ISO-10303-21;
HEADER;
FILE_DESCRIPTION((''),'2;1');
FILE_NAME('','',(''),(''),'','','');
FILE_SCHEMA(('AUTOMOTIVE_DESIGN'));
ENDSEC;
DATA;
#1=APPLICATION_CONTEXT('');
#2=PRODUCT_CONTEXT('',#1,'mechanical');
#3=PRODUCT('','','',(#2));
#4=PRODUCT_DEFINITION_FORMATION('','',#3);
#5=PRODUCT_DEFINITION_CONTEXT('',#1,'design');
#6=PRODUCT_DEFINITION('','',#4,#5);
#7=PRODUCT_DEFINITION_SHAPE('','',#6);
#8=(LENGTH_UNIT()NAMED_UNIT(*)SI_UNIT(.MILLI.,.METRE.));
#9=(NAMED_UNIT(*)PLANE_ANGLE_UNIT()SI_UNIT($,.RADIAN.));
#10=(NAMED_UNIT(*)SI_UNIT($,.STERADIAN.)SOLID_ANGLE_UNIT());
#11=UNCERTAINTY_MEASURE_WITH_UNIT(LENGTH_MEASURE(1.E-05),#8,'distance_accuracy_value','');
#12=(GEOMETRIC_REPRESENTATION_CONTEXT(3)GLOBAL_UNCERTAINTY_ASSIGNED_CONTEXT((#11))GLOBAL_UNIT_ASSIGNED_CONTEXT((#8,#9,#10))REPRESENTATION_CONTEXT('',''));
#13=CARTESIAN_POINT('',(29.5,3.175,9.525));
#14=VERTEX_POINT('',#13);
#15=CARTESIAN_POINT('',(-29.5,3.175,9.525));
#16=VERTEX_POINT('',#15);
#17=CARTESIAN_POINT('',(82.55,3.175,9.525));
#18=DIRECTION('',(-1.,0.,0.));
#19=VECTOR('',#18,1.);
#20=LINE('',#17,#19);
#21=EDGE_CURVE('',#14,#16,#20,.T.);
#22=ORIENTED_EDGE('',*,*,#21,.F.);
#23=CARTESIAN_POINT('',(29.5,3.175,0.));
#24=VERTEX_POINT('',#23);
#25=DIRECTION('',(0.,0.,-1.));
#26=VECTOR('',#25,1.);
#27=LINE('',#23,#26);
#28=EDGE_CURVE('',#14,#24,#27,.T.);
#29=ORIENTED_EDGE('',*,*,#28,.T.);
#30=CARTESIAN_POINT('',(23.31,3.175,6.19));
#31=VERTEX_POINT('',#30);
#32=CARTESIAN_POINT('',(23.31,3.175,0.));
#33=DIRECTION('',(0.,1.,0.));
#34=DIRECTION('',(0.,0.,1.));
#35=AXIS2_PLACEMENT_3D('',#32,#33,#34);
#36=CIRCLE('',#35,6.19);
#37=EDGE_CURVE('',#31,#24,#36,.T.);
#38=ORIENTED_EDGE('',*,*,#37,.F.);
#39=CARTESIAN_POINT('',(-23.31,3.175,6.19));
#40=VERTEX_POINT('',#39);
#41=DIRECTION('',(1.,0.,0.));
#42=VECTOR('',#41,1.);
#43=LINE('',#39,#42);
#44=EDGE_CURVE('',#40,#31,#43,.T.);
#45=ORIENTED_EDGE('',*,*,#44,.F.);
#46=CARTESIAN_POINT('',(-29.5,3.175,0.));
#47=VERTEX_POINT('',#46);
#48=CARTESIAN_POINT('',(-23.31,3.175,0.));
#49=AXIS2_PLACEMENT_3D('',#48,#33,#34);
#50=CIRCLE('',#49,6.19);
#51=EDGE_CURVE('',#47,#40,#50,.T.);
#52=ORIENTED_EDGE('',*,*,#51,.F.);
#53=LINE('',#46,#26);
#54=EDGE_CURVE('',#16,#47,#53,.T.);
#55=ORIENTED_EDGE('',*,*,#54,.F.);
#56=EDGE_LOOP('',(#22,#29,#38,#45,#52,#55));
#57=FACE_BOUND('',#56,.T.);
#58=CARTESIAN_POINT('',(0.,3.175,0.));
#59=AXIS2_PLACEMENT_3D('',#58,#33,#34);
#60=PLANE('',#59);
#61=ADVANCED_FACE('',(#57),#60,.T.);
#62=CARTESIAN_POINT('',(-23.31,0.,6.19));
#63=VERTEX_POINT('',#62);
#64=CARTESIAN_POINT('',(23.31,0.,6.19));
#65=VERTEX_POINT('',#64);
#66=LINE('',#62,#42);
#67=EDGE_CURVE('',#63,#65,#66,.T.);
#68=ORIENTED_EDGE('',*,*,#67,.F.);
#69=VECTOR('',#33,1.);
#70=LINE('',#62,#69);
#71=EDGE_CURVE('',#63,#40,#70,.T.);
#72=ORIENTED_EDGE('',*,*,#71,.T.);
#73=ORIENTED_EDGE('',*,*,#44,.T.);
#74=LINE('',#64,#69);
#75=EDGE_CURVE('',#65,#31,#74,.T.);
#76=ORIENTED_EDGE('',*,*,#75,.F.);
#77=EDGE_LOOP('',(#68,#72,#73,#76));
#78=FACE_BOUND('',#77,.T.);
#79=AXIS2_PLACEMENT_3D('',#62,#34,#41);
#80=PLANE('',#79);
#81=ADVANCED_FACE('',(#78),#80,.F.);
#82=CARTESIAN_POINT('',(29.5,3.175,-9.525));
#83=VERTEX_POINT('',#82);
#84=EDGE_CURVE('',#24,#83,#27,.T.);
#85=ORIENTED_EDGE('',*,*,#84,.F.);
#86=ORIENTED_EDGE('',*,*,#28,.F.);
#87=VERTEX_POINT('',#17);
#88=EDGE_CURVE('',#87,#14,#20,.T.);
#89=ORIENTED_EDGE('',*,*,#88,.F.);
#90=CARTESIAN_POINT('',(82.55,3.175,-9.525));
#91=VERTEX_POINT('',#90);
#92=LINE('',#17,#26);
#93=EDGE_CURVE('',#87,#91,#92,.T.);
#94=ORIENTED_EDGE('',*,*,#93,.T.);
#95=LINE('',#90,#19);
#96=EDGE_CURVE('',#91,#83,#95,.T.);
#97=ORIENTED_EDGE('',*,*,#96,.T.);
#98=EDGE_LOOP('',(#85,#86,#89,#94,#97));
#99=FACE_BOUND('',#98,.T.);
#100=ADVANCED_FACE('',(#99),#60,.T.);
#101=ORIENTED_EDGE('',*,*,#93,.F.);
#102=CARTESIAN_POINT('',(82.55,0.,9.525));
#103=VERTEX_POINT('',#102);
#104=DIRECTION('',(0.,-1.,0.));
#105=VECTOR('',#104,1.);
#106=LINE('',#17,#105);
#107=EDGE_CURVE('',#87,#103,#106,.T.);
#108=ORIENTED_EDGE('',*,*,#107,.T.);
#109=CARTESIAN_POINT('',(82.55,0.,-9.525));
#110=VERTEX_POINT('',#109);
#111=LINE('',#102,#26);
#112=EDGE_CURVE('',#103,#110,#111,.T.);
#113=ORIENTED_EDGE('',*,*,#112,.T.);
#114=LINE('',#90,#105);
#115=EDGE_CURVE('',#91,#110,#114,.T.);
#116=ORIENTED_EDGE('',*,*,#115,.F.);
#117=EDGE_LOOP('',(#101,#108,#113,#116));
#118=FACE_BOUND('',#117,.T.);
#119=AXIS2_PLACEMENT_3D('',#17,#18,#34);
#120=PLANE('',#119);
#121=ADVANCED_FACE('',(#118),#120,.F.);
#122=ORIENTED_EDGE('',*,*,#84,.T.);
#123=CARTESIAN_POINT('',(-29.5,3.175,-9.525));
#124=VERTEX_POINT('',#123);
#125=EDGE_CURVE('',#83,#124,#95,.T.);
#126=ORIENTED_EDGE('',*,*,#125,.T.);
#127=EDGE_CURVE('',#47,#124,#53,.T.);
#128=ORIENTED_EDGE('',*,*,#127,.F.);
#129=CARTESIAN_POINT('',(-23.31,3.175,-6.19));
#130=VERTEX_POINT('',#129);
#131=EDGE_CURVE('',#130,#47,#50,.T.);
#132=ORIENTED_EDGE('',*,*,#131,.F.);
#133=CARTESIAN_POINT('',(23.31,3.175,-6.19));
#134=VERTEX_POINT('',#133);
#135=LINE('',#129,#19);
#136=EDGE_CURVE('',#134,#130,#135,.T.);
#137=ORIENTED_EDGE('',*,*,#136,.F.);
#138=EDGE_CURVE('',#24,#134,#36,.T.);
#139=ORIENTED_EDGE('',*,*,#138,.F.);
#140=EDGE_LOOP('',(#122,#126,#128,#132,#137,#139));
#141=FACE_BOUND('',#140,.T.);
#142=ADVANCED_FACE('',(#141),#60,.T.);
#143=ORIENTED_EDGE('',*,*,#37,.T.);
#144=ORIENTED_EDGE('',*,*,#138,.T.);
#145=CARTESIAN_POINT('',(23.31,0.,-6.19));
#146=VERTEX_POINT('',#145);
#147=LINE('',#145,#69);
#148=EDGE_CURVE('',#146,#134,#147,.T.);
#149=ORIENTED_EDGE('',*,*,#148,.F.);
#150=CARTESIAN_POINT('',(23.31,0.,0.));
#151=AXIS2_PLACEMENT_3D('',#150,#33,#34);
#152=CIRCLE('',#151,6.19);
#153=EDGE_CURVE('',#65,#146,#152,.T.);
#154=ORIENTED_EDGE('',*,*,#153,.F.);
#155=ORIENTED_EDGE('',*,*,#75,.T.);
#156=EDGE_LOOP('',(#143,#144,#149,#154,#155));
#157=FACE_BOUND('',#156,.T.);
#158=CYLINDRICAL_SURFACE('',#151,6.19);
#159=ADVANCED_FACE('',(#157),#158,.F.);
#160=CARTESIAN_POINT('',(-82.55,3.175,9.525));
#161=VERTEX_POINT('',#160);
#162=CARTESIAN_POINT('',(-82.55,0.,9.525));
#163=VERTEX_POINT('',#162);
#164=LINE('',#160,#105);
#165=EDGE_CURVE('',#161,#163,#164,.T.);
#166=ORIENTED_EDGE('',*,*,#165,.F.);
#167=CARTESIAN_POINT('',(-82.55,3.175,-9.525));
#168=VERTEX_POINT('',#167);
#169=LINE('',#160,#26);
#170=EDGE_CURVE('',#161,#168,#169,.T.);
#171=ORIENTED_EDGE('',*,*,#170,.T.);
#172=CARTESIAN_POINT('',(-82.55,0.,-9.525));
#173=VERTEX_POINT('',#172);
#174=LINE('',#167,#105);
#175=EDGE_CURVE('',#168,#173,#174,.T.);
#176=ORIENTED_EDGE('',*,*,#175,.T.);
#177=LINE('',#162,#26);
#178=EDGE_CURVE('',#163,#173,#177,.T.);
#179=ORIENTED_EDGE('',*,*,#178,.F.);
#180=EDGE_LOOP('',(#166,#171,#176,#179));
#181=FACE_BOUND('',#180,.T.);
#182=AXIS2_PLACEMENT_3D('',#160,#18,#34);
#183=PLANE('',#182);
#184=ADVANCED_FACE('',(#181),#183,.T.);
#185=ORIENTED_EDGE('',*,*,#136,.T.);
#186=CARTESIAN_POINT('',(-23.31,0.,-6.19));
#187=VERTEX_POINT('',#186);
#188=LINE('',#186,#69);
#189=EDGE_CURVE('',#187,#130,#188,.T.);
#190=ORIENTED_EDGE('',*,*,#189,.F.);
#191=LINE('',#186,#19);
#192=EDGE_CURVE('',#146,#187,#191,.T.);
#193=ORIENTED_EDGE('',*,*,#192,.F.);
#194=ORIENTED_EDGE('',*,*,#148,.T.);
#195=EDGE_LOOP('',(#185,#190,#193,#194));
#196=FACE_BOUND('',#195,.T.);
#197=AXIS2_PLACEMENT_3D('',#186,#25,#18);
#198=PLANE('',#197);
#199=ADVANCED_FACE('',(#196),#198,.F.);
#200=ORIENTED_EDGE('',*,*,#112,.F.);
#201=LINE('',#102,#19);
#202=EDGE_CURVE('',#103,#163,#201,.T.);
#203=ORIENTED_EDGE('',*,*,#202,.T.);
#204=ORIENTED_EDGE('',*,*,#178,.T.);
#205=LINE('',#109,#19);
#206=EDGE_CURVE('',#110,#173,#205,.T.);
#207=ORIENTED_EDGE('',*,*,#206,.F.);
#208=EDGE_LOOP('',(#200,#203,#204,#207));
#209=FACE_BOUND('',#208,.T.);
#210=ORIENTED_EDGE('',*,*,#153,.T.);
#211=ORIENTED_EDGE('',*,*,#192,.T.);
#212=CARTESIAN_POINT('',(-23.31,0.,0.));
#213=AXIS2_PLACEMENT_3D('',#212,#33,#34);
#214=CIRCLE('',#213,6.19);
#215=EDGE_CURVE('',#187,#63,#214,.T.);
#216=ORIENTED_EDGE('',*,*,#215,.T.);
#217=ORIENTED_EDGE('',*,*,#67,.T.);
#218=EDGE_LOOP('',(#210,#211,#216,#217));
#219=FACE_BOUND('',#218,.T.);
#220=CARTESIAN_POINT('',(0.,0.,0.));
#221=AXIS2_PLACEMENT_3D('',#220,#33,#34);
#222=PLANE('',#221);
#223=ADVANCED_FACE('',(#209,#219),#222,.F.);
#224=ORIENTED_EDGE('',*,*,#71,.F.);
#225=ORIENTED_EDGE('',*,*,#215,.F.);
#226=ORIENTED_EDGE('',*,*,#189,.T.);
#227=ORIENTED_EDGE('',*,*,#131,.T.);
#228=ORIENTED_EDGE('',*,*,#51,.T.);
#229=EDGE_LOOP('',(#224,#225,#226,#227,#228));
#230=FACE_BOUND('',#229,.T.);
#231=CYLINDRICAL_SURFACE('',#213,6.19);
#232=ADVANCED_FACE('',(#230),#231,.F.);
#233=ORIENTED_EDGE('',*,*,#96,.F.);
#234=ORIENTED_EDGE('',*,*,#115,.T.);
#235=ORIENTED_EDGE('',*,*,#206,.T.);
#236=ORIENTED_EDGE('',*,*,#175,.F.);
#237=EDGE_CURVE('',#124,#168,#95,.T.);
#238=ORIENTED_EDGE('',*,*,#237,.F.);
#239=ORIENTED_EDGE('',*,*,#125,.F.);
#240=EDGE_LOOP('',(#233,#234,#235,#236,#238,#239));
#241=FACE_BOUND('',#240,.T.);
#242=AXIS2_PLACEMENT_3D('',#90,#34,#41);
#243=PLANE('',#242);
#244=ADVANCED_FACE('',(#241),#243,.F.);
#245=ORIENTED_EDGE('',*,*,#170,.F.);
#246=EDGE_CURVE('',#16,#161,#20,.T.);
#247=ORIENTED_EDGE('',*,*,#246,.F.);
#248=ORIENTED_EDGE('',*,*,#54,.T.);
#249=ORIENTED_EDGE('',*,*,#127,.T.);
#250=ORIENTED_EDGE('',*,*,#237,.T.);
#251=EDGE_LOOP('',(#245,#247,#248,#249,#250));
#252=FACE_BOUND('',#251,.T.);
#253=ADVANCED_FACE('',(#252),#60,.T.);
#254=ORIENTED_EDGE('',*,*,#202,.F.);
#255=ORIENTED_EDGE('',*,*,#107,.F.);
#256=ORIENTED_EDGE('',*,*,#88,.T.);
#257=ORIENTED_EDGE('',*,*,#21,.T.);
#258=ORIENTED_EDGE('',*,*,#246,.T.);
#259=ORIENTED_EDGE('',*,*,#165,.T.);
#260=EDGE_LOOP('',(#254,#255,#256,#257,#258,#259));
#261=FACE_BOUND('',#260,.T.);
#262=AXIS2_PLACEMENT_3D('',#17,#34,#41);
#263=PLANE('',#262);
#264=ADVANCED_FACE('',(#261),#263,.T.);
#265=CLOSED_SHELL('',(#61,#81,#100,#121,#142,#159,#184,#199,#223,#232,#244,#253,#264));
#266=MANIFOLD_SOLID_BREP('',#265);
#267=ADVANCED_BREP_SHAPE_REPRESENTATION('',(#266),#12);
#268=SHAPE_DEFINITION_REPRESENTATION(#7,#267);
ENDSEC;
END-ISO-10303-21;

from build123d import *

# Parameters (mm, degrees)
SKETCH1_W           = 165.1
SKETCH1_H           = 19.05
BOSS_EXTRUDE1_DEPTH = 3.175
SLOT_DEPTH          = 84.158335421


with BuildPart() as part:
    # Sketch1 → Boss-Extrude1 (new body)
    with BuildSketch(Plane(origin=(0, 0, 0), x_dir=(1, 0, 0), z_dir=(0, 1, 0))):
        Rectangle(SKETCH1_W, SKETCH1_H)
    extrude(amount=BOSS_EXTRUDE1_DEPTH)

    # Sketch5 → Slot (cut, through all)
    with BuildSketch(Plane(origin=(0, 3.175, 0), x_dir=(1, 0, 0), z_dir=(0, 1, 0))):
        with BuildLine():
            Line((-23.31, 6.19), (23.31, 6.19))
            ThreePointArc((23.31, 6.19), (29.5, 0), (23.31, -6.19))
            Line((23.31, -6.19), (-23.31, -6.19))
            ThreePointArc((-23.31, -6.19), (-29.5, 0), (-23.31, 6.19))
        make_face()
    extrude(amount=-SLOT_DEPTH, mode=Mode.SUBTRACT)


solid = part.part
